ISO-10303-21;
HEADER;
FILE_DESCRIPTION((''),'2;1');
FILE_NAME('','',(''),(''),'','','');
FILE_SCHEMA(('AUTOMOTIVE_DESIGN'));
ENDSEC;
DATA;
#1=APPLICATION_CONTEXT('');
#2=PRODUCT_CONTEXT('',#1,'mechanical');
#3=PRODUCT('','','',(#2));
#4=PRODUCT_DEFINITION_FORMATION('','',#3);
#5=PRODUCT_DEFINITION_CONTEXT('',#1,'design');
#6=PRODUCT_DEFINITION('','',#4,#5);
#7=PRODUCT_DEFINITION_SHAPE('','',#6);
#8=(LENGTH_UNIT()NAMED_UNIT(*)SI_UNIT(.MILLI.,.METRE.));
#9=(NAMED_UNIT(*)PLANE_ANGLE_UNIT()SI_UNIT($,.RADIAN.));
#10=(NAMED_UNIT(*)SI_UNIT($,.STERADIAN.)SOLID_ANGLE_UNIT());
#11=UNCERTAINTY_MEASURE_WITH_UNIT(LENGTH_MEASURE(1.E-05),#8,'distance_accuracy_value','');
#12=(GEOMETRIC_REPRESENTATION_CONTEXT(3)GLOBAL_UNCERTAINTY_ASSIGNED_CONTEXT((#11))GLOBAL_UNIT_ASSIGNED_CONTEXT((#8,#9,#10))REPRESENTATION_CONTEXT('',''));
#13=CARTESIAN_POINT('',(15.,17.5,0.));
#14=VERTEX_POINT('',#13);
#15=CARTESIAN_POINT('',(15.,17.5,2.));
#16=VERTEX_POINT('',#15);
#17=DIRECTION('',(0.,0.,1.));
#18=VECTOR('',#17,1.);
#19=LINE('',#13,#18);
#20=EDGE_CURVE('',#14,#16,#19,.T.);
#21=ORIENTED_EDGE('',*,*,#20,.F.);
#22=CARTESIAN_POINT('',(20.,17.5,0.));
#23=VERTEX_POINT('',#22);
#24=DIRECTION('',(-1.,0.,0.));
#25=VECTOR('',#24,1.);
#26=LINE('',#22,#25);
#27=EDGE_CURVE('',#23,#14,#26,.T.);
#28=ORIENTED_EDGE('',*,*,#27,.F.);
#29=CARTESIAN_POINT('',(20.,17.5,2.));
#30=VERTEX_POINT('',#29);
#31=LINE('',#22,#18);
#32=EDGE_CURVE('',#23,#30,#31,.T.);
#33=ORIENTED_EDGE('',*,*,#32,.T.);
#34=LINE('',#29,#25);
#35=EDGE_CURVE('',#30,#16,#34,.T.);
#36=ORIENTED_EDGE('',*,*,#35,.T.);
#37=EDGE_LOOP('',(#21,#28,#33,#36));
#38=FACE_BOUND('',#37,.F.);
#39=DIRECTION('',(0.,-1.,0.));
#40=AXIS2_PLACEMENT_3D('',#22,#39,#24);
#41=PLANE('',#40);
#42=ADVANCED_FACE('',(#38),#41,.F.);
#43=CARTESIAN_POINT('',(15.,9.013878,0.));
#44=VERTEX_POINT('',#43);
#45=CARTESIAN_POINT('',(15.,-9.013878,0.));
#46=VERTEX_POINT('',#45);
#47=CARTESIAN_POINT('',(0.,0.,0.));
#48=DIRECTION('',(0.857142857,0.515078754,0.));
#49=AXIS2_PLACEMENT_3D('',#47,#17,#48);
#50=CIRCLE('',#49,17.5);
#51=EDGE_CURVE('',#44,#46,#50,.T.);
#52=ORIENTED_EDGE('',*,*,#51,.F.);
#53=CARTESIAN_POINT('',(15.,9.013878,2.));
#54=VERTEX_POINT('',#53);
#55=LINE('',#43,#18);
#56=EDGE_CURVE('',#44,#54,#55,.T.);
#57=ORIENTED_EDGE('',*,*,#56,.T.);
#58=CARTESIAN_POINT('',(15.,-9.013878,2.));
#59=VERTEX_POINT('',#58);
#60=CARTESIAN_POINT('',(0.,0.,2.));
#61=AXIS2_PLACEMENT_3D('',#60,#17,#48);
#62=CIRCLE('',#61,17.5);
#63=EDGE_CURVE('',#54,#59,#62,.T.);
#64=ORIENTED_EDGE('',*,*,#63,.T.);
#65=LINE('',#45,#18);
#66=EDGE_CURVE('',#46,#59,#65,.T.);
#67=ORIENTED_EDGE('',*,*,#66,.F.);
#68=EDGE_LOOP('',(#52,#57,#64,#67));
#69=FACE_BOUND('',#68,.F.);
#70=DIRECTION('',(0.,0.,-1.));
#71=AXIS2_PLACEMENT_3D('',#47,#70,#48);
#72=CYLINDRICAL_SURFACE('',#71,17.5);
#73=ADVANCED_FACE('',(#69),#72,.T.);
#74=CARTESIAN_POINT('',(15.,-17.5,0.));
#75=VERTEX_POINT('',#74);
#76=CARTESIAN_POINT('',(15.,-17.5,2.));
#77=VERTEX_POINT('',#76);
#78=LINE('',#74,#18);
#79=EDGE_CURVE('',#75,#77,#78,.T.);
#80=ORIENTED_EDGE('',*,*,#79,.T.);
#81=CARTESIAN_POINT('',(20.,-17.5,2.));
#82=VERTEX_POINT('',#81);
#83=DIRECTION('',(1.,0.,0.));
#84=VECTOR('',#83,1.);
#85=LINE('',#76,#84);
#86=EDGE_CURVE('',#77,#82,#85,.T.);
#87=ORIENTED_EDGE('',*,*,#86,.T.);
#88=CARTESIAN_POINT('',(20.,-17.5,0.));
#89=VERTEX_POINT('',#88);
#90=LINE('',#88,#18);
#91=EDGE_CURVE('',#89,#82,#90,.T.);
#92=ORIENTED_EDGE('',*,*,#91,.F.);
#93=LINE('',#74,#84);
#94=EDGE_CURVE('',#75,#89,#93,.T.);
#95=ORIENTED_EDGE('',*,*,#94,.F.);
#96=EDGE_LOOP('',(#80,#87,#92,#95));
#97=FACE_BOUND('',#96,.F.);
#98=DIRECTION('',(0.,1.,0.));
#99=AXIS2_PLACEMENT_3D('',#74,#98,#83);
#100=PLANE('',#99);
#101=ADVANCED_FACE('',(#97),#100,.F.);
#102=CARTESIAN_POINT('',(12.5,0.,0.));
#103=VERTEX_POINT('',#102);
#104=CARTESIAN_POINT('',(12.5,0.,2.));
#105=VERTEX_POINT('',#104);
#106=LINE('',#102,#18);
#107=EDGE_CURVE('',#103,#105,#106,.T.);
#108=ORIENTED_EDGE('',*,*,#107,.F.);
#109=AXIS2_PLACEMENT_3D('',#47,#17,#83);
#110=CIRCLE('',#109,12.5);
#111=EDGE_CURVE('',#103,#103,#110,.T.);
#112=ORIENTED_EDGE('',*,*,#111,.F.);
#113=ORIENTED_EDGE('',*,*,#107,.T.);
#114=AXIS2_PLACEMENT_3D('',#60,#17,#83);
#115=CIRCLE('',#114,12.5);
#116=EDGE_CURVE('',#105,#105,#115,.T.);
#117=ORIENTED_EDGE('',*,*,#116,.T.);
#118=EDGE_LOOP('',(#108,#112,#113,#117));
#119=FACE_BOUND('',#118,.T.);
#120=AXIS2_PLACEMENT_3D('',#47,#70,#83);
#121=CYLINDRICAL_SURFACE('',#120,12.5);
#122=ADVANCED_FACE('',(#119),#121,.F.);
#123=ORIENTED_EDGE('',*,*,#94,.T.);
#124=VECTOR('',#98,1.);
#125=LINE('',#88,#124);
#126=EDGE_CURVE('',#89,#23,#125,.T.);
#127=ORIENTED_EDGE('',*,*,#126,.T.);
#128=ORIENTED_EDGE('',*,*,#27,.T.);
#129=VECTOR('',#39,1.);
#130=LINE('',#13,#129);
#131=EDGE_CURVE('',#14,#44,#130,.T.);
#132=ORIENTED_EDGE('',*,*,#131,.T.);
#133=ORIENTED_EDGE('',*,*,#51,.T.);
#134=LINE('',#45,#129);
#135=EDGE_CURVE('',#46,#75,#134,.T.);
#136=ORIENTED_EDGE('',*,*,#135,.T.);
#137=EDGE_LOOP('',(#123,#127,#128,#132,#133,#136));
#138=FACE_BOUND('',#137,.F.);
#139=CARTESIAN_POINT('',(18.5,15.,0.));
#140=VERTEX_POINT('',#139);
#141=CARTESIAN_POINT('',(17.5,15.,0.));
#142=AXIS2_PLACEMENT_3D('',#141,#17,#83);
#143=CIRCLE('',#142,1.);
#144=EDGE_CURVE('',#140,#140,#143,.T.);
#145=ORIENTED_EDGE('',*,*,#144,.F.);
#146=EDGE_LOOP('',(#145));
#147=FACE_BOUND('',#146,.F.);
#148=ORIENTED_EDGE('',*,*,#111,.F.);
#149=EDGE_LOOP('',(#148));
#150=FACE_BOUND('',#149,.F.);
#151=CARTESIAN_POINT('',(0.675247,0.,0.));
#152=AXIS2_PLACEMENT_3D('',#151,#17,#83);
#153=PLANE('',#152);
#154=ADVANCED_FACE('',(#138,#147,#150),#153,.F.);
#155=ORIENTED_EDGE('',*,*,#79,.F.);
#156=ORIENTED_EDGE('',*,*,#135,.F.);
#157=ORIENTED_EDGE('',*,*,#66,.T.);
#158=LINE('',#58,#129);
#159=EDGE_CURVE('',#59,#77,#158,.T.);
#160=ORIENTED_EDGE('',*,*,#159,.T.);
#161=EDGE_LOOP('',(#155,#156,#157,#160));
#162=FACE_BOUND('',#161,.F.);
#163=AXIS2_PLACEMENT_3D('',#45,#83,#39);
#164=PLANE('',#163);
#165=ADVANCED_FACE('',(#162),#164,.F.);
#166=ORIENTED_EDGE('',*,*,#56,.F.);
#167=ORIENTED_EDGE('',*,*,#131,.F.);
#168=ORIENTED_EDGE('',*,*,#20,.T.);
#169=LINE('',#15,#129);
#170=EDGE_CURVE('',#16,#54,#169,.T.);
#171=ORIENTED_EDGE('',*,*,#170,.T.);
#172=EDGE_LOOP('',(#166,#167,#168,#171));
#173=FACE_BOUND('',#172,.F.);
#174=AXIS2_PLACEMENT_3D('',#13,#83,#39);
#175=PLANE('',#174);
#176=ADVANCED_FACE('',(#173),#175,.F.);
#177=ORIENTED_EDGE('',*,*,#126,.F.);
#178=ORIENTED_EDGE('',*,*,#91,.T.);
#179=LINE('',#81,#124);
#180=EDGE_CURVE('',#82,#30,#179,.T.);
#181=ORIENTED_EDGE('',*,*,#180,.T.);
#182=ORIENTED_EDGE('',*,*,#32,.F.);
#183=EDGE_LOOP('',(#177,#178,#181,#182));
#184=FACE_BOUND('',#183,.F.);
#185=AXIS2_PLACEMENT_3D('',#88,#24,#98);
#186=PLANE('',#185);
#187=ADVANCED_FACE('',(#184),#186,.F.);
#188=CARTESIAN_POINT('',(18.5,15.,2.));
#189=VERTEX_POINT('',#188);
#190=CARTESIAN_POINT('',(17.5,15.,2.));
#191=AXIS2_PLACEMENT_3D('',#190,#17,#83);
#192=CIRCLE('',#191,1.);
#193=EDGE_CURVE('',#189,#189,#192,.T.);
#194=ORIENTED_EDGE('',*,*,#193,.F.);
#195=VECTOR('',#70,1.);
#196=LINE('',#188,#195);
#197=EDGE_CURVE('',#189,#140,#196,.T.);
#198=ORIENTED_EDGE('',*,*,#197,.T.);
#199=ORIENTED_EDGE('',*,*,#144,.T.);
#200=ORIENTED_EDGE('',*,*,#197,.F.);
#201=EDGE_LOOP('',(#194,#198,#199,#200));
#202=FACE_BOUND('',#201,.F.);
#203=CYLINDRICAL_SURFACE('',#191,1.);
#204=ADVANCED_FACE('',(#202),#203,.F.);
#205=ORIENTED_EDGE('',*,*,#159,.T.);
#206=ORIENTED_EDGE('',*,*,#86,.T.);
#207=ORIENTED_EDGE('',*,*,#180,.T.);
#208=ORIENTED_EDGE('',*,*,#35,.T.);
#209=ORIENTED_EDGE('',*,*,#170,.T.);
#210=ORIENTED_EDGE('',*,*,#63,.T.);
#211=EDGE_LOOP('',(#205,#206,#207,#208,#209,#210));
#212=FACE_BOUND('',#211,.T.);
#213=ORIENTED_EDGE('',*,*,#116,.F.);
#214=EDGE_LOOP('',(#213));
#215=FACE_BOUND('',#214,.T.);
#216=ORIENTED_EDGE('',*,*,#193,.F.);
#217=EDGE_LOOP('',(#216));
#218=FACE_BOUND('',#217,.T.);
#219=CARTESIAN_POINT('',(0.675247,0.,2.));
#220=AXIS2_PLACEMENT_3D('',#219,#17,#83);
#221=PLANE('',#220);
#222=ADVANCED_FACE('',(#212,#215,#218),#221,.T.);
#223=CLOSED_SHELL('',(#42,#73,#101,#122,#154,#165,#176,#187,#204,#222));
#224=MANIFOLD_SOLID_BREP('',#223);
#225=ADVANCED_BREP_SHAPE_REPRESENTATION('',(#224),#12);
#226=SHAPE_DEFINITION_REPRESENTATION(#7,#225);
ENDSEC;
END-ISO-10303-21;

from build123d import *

# Parameters (mm, degrees)
F0_R     = 12.5
F1_DEPTH = 2
F2_R     = 1
F3_DEPTH = 2


with BuildPart() as f1:
    # F0 (on Top) → F1 (new body)
    with BuildSketch(Plane.XY):
        with BuildLine():
            Line((15, -9.0138781887), (15, 9.0138781887))
            ThreePointArc((15, 9.0138781887), (-17.5, 0), (15, -9.0138781887))
        make_face()
        Circle(F0_R, mode=Mode.SUBTRACT)
        with BuildLine():
            ThreePointArc((15, -9.0138781887), (16.863421954, -4.6770717335), (17.5, 0))
            ThreePointArc((17.5, 0), (16.863421954, 4.6770717335), (15, 9.0138781887))
            Line((15, 9.0138781887), (15, -9.0138781887))
        make_face()
        with BuildLine():
            ThreePointArc((15, 9.0138781887), (16.863421954, 4.6770717335), (17.5, 0))
            ThreePointArc((17.5, 0), (16.863421954, -4.6770717335), (15, -9.0138781887))
            Line((15, -9.0138781887), (15, -17.5))
            Line((15, -17.5), (20, -17.5))
            Line((20, -17.5), (20, 17.5))
            Line((20, 17.5), (15, 17.5))
            Line((15, 17.5), (15, 9.0138781887))
        make_face()
    extrude(amount=F1_DEPTH)

    # F2 (on face) → F3 (cut)
    with BuildSketch(Plane.XY.offset(2)):
        with Locations((17.5, 15)):
            Circle(F2_R)
    extrude(amount=-F3_DEPTH, mode=Mode.SUBTRACT)


solid = f1.part
